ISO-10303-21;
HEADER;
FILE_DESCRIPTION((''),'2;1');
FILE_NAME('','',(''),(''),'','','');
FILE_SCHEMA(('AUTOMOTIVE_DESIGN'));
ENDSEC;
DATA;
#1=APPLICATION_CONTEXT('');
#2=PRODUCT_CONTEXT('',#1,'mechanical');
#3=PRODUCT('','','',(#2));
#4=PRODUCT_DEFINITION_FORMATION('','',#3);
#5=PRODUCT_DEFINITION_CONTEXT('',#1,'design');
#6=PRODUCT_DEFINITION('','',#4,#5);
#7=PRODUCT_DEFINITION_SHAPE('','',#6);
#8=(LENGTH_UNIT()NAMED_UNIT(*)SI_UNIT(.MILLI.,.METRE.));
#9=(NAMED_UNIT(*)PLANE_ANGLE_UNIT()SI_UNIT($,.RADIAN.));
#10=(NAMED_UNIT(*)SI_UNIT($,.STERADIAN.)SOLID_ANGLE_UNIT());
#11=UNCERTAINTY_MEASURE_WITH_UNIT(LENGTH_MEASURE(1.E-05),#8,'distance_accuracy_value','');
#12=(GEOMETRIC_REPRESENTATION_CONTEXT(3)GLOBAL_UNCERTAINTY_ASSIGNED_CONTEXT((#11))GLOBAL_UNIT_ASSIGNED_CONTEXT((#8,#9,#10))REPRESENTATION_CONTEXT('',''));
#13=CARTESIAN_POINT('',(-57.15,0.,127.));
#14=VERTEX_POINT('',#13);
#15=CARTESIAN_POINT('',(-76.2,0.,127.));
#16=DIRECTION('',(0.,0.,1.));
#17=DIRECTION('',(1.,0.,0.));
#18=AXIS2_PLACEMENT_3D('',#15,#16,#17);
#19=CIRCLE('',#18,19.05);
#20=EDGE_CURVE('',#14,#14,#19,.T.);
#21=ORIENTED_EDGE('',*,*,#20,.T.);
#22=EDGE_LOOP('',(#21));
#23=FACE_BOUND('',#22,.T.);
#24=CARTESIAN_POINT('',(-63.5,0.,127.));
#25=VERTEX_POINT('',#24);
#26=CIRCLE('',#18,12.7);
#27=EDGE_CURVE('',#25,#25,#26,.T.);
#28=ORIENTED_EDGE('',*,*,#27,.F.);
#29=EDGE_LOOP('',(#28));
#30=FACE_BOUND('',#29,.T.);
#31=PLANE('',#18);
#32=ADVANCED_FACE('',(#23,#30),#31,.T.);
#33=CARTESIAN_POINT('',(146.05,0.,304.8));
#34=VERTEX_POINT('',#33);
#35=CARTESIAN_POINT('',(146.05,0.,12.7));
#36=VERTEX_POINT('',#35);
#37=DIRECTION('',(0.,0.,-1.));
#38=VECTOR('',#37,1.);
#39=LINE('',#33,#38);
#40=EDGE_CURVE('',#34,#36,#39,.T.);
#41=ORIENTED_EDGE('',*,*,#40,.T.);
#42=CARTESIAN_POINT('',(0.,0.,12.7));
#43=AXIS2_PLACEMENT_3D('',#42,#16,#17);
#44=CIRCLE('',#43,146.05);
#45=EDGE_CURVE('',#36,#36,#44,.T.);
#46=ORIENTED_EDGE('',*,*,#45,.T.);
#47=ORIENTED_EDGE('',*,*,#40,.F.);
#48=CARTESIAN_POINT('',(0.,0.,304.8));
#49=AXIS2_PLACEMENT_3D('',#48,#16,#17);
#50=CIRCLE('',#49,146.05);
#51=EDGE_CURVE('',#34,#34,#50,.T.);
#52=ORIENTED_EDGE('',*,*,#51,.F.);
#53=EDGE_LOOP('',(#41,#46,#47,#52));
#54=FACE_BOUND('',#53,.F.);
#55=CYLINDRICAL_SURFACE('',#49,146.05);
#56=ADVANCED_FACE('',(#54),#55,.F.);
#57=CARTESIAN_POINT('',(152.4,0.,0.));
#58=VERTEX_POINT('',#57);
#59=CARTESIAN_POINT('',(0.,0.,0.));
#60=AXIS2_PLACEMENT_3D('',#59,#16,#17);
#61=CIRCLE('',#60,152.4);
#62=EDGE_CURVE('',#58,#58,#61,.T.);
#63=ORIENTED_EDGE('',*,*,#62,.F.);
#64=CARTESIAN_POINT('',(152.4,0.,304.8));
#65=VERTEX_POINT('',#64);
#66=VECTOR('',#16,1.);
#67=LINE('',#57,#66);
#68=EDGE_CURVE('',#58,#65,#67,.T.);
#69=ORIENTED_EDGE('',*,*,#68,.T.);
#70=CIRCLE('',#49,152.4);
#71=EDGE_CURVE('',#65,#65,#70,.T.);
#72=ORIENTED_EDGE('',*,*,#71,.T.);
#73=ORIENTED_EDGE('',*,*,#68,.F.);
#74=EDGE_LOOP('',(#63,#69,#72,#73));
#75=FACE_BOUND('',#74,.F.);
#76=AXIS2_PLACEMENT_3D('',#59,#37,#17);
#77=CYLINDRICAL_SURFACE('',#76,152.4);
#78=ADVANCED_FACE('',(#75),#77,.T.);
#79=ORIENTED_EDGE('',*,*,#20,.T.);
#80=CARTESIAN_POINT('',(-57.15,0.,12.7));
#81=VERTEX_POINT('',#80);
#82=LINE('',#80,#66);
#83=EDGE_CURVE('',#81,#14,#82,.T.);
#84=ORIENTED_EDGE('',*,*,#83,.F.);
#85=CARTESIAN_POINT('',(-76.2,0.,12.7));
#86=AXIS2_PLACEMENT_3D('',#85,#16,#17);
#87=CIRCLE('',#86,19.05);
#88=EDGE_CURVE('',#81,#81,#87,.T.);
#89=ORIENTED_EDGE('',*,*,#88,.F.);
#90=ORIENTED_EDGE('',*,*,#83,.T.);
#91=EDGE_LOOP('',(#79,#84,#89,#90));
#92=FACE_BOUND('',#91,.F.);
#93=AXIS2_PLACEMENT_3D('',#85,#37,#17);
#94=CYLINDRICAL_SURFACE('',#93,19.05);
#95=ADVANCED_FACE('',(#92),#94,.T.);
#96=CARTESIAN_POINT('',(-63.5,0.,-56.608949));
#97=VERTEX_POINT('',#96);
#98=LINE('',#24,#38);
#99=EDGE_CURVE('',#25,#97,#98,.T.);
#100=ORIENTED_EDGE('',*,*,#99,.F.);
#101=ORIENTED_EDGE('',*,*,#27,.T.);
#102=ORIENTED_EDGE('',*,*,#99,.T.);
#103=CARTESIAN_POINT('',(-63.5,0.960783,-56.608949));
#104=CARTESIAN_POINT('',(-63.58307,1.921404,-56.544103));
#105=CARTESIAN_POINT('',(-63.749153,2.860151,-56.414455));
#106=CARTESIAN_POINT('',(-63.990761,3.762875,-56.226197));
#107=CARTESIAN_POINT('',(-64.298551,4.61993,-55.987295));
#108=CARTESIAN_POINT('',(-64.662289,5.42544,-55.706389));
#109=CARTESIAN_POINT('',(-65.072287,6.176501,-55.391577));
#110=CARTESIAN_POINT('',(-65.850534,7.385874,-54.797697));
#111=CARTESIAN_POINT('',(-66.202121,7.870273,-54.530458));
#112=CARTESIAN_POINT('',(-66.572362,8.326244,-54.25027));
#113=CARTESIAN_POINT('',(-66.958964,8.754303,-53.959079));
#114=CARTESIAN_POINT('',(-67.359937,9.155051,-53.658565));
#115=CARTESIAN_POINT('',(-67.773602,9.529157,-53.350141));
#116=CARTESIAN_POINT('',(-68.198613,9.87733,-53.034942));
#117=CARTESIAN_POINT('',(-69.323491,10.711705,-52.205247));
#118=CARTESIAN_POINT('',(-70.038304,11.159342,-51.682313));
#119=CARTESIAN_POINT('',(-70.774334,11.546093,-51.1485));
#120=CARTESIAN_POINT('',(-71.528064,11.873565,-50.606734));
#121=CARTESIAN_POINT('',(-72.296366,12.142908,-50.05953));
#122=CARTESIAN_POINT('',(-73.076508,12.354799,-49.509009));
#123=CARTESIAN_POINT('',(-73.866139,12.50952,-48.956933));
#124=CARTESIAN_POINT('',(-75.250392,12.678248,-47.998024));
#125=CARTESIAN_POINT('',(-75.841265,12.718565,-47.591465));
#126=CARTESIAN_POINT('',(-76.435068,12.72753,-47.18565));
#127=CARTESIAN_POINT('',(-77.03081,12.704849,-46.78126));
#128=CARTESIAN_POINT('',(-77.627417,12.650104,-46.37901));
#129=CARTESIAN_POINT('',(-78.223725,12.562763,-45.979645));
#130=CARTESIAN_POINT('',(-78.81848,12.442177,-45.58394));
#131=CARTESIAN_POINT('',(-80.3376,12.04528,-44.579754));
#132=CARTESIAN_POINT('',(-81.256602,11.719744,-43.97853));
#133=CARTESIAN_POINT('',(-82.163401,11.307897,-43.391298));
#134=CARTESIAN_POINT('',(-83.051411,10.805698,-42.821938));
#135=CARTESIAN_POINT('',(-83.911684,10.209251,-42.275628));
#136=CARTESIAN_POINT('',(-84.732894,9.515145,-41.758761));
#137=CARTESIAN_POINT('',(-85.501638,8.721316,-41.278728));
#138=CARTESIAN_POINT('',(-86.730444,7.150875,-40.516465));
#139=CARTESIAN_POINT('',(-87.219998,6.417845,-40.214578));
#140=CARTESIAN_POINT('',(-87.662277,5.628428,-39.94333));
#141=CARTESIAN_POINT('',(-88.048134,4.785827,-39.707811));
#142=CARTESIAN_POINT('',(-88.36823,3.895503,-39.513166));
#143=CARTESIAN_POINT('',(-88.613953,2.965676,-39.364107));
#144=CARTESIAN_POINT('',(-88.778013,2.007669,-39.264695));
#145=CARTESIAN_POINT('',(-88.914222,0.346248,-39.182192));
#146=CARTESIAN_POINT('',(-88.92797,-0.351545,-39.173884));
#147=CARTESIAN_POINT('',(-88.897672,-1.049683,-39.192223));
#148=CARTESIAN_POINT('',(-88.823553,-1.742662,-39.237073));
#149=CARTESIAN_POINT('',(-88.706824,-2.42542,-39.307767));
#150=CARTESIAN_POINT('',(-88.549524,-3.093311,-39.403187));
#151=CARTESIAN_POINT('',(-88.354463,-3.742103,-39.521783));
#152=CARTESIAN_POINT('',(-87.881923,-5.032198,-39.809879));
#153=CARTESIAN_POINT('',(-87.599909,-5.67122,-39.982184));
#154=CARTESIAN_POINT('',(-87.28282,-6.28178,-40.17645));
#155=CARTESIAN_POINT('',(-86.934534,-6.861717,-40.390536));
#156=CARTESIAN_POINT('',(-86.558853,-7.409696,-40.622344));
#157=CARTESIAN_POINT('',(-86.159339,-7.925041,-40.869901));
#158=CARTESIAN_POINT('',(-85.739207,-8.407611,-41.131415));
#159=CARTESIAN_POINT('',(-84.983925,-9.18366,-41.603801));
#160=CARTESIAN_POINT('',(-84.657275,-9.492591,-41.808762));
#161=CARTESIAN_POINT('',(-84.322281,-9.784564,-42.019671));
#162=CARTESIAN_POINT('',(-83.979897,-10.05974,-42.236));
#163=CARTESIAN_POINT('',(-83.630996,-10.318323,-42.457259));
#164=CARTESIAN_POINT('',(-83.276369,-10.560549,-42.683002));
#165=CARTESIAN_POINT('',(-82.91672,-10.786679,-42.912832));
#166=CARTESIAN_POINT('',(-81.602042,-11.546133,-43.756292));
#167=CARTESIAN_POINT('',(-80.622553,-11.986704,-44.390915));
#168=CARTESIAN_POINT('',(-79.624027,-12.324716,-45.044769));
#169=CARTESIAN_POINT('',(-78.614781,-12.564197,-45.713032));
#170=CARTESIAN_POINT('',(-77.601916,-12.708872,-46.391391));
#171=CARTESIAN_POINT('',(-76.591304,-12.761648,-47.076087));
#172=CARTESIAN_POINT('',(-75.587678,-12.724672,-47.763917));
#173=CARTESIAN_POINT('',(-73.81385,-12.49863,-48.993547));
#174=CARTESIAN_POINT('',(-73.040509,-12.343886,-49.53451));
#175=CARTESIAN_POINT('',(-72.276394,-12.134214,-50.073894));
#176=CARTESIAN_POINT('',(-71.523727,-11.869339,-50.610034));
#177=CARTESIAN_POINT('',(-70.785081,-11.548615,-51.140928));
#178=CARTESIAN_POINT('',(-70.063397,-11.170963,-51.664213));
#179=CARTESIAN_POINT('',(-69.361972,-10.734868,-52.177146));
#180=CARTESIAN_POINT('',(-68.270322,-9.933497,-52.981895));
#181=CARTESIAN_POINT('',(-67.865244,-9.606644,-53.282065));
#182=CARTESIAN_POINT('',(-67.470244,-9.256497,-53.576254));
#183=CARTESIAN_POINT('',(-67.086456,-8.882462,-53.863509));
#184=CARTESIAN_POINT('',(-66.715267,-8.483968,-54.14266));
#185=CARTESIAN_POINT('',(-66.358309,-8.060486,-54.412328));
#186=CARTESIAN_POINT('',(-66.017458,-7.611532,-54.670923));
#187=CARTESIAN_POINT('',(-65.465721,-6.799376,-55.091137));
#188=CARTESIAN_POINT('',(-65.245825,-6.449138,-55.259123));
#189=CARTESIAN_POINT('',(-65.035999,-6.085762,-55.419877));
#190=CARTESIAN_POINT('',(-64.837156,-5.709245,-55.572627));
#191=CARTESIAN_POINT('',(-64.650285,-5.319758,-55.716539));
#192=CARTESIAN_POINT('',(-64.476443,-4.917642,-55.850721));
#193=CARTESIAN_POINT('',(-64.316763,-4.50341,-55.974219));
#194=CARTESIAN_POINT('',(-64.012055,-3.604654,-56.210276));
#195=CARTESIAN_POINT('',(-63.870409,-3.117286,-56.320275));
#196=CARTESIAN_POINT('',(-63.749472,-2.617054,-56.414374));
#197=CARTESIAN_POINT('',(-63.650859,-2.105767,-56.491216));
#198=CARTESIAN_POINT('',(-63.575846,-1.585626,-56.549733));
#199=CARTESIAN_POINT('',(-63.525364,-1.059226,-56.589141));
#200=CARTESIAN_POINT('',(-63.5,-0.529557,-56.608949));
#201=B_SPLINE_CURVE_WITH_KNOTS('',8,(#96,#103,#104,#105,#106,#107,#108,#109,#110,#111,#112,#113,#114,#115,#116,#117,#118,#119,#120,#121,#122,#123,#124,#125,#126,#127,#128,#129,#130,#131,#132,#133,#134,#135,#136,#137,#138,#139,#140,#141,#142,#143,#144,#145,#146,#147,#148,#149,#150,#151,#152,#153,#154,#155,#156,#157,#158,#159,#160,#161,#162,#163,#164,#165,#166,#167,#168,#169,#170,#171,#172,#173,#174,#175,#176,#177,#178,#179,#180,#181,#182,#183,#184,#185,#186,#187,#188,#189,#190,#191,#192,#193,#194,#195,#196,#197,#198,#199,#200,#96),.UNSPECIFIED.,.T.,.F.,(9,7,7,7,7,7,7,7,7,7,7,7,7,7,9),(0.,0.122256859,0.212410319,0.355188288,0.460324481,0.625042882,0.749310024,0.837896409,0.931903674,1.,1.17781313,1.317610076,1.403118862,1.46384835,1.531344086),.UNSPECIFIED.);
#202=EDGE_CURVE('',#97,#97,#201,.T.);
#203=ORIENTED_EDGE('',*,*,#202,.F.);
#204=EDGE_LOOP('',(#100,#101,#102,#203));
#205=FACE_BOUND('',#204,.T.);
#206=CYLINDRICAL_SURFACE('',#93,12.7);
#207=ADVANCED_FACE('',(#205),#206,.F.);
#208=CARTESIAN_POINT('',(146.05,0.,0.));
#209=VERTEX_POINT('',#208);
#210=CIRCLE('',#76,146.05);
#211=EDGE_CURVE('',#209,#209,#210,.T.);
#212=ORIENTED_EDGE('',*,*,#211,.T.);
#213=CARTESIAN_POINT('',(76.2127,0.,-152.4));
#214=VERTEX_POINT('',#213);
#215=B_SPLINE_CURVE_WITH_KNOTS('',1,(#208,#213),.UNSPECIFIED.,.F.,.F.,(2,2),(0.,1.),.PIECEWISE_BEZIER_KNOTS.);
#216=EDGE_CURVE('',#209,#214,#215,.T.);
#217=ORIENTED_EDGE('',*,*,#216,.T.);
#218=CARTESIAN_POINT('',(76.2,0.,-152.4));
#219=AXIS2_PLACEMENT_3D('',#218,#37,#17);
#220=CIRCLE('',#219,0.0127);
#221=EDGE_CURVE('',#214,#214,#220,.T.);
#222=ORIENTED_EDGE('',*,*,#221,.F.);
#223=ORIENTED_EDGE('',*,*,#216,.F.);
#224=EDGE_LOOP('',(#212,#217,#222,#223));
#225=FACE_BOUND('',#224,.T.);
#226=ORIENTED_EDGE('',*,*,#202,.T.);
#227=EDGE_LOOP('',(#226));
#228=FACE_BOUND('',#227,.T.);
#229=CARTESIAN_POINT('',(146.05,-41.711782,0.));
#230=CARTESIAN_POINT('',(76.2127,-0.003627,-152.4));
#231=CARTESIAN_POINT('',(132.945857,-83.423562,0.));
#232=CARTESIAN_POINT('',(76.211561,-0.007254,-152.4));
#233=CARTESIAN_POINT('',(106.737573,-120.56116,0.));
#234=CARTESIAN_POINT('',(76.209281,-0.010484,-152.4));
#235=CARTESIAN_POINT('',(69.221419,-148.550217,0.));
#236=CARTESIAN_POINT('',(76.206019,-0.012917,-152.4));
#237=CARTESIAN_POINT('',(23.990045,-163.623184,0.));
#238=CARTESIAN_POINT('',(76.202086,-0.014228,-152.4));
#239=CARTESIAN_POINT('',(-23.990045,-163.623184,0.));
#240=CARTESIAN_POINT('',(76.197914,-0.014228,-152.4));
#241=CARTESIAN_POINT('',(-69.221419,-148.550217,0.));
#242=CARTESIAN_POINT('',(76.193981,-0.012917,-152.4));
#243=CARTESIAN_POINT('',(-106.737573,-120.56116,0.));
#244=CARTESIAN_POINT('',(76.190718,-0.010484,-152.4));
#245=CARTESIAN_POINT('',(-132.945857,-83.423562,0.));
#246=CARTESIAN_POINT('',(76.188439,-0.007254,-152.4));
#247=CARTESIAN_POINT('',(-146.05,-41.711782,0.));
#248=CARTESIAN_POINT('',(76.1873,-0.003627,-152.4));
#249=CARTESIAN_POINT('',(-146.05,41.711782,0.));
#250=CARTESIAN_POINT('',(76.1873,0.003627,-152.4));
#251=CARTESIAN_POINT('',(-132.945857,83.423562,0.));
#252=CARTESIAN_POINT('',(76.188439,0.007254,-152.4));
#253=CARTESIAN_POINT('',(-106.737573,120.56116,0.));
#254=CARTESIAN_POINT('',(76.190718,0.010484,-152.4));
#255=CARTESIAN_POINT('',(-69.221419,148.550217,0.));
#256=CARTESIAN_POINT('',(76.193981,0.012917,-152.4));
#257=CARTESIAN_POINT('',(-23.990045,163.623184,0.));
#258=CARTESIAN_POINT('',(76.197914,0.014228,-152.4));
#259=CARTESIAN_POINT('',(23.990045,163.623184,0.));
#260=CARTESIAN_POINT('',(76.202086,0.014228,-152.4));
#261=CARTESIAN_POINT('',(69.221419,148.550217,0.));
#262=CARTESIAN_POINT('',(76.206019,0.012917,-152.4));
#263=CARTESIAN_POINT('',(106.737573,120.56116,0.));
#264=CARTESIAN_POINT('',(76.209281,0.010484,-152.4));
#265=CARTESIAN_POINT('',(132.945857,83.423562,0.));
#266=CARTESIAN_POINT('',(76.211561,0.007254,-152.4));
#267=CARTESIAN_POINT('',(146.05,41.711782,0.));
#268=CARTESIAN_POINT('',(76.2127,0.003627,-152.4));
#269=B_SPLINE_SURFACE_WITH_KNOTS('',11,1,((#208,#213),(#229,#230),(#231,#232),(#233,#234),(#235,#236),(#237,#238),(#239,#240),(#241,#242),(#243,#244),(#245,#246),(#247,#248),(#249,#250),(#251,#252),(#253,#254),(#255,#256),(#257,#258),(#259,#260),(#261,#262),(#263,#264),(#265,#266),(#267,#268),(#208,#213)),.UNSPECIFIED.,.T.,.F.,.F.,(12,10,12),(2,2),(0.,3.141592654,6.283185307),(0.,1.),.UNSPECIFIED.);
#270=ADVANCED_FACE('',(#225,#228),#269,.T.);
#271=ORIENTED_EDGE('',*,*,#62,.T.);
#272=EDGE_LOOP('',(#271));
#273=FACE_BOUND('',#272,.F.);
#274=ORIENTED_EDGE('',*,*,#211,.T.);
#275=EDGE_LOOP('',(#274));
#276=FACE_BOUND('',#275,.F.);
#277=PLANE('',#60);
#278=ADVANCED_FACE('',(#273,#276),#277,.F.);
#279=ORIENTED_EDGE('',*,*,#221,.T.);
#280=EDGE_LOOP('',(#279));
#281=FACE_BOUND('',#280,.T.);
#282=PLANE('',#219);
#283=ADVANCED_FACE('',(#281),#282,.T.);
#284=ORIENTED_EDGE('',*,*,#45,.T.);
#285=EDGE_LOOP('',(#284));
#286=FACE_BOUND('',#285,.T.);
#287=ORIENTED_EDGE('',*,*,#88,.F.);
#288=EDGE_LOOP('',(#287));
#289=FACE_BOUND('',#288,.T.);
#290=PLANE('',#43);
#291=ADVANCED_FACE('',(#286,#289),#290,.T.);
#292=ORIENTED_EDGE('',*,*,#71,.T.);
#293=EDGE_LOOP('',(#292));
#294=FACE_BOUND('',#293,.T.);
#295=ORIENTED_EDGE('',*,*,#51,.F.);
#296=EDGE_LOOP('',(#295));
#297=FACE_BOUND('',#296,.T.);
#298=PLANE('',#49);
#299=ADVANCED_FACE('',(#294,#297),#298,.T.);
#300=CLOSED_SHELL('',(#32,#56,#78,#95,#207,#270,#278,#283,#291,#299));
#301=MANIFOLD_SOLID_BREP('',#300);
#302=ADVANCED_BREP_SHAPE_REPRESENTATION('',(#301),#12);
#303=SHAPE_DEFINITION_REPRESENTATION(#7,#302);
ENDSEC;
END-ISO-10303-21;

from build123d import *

# Parameters (mm, degrees)
F0_R       = 152.4
F1_DEPTH   = 304.8
F2_R       = 146.05
F3_DEPTH   = 292.1
F4_R       = 0.0127
F5_DEPTH   = 177.8
F6_R       = 0.0127
F7_DEPTH   = 152.4
F8_R       = 146.05
F7_FACE1_R = 0.0127
F10_R      = 0.0127
F11_DEPTH  = 25.4
F12_R      = 12.7
F13_DEPTH  = 165.1
F14_R      = 19.05
F14_R_2    = 12.7
F15_DEPTH  = 114.3


with BuildPart() as f1:
    # F0 (on Top) → F1 (new body)
    with BuildSketch(Plane.XY):
        Circle(F0_R)
    extrude(amount=F1_DEPTH)

    # F2 (on face) → F3 (cut)
    with BuildSketch(Plane.XY.offset(304.8)):
        Circle(F2_R)
    extrude(amount=-F3_DEPTH, mode=Mode.SUBTRACT)

    # F4 (on face) → F5 (join)
    with BuildSketch(Plane(origin=(0, 0, 0), x_dir=(1, 0, 0), z_dir=(0, 0, -1))):
        with Locations((76.2, 0)):
            Circle(F4_R)
    extrude(amount=F5_DEPTH)

    # F6 (on face) → F7 (cut)
    with BuildSketch(Plane(origin=(0, 0, 0), x_dir=(1, 0, 0), z_dir=(0, 0, -1))):
        with Locations((76.2, 0)):
            Circle(F6_R)
    extrude(amount=F7_DEPTH, mode=Mode.SUBTRACT)

    # F8 (on face) → F9 section 0
    with BuildSketch(Plane(origin=(0, 0, 0), x_dir=(1, 0, 0), z_dir=(0, 0, -1))):
        Circle(F8_R)
    # F7_face1 (on face) → F9 section 1
    with BuildSketch(Plane(origin=(76.2, 0, -152.4), x_dir=(1, 0, 0), z_dir=(0, 0, 1))):
        Circle(F7_FACE1_R)
    loft()

    # F10 (on face) → F11 (cut)
    with BuildSketch(Plane(origin=(0, 0, -177.8), x_dir=(1, 0, 0), z_dir=(0, 0, -1))):
        with Locations((76.2, 0)):
            Circle(F10_R)
    extrude(amount=-F11_DEPTH, mode=Mode.SUBTRACT)

    # F12 (on face) → F13 (cut)
    with BuildSketch(Plane.XY.offset(12.7)):
        with Locations((-76.2, 0)):
            Circle(F12_R)
    extrude(amount=-F13_DEPTH, mode=Mode.SUBTRACT)

    # F14 (on face) → F15 (join)
    with BuildSketch(Plane.XY.offset(12.7)):
        with Locations((-76.2, 0)):
            Circle(F14_R)
        with Locations((-76.2, 0)):
            Circle(F14_R_2, mode=Mode.SUBTRACT)
    extrude(amount=F15_DEPTH)


solid = f1.part
